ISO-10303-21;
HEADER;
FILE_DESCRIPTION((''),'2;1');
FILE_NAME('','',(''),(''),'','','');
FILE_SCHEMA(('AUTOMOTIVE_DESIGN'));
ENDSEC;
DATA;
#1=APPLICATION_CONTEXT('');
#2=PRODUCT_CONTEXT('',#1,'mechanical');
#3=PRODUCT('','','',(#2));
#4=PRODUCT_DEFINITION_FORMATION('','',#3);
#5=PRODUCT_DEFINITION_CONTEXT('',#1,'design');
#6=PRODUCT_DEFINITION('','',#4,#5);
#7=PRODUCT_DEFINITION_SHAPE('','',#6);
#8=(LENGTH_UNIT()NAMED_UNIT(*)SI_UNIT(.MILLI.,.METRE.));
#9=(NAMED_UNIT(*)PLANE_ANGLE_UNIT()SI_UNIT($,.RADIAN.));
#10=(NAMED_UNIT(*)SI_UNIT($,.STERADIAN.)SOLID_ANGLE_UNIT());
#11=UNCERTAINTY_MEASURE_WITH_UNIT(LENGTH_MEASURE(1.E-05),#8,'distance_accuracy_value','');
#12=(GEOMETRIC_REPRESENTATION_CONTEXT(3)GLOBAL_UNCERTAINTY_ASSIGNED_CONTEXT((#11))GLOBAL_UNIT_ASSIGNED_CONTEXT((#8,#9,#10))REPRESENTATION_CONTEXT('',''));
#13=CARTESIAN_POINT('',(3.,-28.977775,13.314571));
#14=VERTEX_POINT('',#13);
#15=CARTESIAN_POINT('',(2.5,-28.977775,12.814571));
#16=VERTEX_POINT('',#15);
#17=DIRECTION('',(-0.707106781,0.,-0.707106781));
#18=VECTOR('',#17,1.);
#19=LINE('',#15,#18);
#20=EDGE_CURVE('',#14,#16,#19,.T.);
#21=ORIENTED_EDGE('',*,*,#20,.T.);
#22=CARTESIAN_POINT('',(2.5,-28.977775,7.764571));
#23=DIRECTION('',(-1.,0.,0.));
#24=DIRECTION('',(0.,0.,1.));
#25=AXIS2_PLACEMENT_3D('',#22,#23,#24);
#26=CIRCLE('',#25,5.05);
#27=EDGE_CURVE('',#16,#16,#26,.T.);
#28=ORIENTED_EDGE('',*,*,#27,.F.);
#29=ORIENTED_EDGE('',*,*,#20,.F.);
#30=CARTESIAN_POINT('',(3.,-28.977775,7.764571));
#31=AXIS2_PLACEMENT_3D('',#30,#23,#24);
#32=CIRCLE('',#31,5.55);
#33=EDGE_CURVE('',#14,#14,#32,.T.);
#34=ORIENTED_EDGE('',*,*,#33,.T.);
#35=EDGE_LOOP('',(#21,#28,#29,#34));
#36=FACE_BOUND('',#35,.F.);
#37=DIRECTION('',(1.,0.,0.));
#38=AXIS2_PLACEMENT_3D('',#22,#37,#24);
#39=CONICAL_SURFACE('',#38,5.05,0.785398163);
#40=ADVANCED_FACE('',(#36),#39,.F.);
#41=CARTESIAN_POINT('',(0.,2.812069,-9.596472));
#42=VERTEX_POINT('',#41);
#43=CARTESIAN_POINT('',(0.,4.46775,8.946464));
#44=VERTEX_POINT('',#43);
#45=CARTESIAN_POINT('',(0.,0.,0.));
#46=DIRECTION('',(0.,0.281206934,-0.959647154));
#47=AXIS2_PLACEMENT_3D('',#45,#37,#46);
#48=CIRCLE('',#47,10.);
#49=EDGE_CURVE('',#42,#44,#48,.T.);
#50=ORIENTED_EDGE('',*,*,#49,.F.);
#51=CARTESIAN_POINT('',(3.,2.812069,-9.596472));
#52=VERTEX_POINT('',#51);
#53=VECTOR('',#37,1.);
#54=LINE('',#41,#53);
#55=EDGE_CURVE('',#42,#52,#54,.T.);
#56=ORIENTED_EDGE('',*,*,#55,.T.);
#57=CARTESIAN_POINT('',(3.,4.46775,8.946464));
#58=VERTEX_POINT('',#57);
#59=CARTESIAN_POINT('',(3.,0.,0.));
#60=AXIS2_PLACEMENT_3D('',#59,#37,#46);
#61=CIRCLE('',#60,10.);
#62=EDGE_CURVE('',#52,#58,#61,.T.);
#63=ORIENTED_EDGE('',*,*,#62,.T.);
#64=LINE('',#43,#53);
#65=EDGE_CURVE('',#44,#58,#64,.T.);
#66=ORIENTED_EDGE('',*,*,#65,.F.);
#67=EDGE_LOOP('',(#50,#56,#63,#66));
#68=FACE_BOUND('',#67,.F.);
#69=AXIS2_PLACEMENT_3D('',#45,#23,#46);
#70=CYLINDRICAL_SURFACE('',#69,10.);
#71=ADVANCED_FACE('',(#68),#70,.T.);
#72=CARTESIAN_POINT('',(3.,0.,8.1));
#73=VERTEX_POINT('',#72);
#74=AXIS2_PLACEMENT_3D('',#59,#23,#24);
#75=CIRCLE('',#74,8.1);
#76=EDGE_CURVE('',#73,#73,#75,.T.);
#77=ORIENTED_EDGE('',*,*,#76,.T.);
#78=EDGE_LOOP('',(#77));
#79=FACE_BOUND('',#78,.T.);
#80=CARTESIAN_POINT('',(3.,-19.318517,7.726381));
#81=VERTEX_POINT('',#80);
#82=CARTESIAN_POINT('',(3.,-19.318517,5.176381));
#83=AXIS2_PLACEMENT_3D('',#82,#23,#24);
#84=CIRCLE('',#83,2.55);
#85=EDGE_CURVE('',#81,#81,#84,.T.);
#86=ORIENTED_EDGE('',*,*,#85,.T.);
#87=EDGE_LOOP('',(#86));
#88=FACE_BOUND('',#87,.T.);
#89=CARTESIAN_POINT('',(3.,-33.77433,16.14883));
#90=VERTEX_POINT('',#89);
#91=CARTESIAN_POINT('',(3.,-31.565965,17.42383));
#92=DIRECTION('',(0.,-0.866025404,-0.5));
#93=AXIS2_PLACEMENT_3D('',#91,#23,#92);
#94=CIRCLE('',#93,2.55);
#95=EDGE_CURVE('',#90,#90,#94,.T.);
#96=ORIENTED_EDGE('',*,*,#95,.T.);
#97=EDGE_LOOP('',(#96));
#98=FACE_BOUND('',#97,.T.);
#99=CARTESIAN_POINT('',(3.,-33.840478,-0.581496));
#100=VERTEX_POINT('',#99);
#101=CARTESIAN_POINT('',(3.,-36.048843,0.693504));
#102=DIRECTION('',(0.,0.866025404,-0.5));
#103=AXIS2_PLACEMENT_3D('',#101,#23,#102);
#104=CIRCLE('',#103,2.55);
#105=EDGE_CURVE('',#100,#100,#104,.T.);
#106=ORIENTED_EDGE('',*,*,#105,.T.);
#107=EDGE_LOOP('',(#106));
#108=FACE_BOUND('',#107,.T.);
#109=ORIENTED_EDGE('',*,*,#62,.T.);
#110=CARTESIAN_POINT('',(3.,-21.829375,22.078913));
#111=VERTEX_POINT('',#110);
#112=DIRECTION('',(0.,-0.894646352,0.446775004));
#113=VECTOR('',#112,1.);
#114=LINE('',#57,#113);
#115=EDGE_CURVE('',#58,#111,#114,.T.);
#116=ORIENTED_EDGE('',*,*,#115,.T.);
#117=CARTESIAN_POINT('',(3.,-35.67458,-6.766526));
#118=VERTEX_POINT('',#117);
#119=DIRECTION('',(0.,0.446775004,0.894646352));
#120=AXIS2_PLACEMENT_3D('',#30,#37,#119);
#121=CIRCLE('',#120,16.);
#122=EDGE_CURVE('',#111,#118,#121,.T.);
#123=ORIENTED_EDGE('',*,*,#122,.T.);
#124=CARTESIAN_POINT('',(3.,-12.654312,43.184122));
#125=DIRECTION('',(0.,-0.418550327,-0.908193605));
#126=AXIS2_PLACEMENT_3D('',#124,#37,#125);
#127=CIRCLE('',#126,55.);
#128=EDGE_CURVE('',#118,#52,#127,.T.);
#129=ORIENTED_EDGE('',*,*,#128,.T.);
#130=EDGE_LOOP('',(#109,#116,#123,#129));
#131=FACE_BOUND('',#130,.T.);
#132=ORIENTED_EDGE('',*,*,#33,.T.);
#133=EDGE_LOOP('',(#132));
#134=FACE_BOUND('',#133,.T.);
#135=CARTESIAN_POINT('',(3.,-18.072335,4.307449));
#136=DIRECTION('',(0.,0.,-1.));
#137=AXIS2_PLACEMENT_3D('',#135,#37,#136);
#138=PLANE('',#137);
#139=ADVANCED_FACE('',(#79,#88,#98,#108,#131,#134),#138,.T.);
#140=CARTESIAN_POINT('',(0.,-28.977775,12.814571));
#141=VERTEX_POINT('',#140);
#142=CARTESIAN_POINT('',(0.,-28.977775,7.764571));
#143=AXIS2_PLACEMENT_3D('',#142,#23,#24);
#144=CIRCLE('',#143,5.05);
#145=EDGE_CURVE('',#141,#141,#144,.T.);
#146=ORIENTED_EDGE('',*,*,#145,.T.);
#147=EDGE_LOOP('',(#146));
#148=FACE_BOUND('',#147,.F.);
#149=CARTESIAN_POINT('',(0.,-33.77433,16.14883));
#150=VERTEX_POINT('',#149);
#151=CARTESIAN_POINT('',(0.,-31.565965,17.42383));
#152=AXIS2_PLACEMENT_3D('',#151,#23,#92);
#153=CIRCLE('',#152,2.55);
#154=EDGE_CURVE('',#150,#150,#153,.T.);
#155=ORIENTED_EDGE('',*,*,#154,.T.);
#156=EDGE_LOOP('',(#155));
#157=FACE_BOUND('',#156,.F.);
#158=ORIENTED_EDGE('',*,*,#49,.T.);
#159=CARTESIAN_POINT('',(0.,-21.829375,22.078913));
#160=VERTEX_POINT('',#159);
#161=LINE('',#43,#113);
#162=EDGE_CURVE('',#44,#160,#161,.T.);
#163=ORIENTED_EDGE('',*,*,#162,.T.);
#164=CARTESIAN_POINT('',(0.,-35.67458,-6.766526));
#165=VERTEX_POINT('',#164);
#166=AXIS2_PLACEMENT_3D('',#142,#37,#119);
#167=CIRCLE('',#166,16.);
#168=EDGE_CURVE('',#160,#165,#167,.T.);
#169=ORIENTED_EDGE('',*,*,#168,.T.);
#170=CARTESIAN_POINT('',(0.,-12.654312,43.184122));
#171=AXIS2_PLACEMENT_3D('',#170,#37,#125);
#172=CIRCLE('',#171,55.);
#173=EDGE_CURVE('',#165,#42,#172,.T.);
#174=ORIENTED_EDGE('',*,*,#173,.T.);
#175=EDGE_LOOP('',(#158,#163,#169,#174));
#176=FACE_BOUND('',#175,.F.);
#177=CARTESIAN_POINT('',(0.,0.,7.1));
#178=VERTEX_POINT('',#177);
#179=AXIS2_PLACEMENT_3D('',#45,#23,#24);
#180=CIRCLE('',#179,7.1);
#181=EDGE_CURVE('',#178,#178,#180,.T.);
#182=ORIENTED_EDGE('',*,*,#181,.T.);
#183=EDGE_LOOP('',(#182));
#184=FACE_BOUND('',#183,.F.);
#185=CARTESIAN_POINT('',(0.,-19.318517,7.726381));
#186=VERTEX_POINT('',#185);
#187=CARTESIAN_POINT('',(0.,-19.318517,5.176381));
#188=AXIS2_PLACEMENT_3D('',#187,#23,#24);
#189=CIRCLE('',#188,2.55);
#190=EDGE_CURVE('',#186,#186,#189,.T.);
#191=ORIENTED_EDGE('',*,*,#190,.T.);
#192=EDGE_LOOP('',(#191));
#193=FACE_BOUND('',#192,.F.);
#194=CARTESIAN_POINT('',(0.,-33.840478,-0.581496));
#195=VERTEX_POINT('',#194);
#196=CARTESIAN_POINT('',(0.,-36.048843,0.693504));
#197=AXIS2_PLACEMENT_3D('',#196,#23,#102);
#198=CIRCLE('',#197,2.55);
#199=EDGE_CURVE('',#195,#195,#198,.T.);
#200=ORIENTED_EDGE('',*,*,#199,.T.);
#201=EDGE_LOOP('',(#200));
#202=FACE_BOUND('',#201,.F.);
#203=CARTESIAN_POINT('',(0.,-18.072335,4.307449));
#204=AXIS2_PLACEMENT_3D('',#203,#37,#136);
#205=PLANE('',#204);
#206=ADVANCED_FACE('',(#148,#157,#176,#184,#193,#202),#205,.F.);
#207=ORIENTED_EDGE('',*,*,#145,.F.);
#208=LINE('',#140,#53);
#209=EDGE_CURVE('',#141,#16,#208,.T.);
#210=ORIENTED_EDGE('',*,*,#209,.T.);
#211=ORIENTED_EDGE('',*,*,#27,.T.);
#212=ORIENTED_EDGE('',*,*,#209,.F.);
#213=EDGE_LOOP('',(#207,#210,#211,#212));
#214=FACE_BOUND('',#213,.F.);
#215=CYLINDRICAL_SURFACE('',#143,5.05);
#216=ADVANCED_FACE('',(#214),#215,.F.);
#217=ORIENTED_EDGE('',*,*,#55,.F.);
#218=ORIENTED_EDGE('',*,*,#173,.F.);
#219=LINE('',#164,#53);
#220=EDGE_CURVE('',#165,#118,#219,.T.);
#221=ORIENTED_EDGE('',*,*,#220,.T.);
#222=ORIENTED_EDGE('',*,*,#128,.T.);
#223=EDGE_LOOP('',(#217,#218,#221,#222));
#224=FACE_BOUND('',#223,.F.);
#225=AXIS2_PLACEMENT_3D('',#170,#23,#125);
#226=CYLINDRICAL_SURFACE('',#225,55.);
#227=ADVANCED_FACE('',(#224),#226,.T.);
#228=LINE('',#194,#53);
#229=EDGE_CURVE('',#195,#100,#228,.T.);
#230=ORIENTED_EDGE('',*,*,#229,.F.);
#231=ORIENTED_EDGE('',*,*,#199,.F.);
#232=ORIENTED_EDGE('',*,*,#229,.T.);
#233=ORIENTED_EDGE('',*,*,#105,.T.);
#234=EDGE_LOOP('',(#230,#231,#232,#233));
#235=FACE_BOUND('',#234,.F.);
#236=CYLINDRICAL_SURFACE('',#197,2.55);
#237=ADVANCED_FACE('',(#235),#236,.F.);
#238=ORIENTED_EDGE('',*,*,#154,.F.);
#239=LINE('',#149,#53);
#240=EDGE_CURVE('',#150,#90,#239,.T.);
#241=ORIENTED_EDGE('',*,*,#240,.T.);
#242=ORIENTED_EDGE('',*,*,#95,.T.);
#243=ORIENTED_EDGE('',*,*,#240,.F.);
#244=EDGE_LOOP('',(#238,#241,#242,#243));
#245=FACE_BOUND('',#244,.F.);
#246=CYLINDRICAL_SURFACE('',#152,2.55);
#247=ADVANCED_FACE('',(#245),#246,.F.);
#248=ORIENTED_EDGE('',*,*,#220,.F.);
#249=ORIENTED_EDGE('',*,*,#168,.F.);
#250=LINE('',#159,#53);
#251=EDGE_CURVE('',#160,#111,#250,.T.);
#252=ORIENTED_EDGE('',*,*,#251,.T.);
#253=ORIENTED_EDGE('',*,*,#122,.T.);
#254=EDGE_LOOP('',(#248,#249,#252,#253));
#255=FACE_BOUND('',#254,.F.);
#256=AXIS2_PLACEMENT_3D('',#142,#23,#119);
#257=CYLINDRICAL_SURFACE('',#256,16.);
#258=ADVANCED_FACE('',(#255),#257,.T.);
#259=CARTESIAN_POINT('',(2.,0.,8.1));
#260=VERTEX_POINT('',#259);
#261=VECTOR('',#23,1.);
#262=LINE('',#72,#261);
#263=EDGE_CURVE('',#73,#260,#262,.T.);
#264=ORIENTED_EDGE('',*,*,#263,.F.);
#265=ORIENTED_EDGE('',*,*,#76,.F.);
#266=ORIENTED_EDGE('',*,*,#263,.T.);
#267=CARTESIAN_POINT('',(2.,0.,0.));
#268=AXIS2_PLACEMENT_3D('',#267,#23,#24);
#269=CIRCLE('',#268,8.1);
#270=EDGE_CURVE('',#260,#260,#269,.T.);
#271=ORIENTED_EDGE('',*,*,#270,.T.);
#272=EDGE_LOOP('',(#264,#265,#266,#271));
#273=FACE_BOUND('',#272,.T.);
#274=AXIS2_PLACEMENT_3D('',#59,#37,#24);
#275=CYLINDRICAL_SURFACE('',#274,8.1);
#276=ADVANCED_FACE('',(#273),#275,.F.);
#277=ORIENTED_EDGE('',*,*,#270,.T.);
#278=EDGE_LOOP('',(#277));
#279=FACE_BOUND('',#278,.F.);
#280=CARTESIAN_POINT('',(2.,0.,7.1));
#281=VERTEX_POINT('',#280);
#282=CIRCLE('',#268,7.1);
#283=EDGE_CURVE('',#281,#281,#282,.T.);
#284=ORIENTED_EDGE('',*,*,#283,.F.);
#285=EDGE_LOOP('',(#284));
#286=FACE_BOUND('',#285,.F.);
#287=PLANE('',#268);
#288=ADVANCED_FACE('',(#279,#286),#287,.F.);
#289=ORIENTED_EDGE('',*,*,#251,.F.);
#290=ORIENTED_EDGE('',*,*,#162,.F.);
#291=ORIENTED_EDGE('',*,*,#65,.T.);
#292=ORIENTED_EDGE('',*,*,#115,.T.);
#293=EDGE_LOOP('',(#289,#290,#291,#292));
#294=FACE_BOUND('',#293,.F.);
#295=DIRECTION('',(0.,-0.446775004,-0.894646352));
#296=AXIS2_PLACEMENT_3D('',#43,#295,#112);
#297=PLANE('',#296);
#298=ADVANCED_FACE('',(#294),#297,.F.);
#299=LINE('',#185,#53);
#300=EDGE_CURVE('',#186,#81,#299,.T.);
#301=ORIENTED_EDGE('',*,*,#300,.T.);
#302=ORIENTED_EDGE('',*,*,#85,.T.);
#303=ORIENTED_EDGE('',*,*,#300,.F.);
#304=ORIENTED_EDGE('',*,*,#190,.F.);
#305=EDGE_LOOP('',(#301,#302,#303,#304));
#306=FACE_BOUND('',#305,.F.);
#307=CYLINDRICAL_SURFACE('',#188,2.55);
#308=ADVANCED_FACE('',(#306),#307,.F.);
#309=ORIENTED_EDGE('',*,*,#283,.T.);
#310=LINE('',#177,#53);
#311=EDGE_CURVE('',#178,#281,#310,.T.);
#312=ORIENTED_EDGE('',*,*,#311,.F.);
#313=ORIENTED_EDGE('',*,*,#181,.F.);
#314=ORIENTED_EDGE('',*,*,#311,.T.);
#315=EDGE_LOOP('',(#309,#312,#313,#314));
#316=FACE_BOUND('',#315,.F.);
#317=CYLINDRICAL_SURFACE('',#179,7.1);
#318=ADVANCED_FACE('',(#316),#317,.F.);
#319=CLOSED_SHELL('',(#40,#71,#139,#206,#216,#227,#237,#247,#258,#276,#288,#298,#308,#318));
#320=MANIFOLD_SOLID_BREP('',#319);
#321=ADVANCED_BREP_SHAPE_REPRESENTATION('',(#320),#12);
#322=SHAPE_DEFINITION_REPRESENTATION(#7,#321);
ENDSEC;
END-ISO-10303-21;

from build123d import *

# Parameters (mm, degrees)
EXTRUDE_1_DEPTH          = 3
SKETCH_2_R               = 7.1
SKETCH_2_R_2             = 5.05
CUT_EXTRUDE_1_DEPTH      = 10
SKETCH_3_R               = 2.55
CUT_EXTRUDE_2_DEPTH      = 10
PATTERN_CIRCULAR_1_COUNT = 3
CHAMFER_1_SIZE           = 0.5
SKETCH_4_R               = 8.1
CUT_EXTRUDE_3_DEPTH      = 1


with BuildPart() as part:
    # 草图1 → 凸台-拉伸1 (new body)
    with BuildSketch(Plane(origin=(0, 0, 0), x_dir=(0, 0, -1), z_dir=(1, 0, 0))):
        with BuildLine():
            ThreePointArc((6.766526321, -35.674580026), (11.667792815, -16.687604516), (9.596471541, 2.812069339))
            ThreePointArc((9.596471541, 2.812069339), (0.889352151, 9.960374127), (-8.946463525, 4.467750037))
            Line((-8.946463525, 4.467750037), (-22.078912993, -21.829374729))
            ThreePointArc((-22.078912993, -21.829374729), (-14.688022315, -43.402261843), (6.766526321, -35.674580026))
        make_face()
    extrude(amount=EXTRUDE_1_DEPTH)

    # 草图2 → 切除-拉伸1 (cut)
    with BuildSketch(Plane.ZY):
        Circle(SKETCH_2_R)
        with Locations((7.764571353, -28.977774789)):
            Circle(SKETCH_2_R_2)
    extrude(amount=-CUT_EXTRUDE_1_DEPTH, mode=Mode.SUBTRACT)

    # 草图3 → 切除-拉伸2 (cut)
    with BuildSketch(Plane.ZY):
        with Locations((5.176380902, -19.318516526)):
            Circle(SKETCH_3_R)
    cut_extrude_2 = extrude(amount=-CUT_EXTRUDE_2_DEPTH, mode=Mode.SUBTRACT)

    # 阵列(圆周)1: 切除-拉伸2 ×3 about axis
    pattern_circular_1_axis = Axis((0, -28.977774789, 7.764571353), (1, 0, 0))
    for i in range(1, PATTERN_CIRCULAR_1_COUNT):
        add(cut_extrude_2.rotate(pattern_circular_1_axis, i * 360 / PATTERN_CIRCULAR_1_COUNT), mode=Mode.SUBTRACT)

    # 倒角1
    chamfer_1_edges = [part.edges().sort_by_distance(p)[0] for p in [
        (3, -28.977774789, 2.714571353),
    ]]
    chamfer(chamfer_1_edges, length=CHAMFER_1_SIZE)

    # 草图4 → 切除-拉伸3 (cut)
    with BuildSketch(Plane.ZY.offset(-3)):
        Circle(SKETCH_4_R)
    extrude(amount=CUT_EXTRUDE_3_DEPTH, mode=Mode.SUBTRACT)


solid = part.part
